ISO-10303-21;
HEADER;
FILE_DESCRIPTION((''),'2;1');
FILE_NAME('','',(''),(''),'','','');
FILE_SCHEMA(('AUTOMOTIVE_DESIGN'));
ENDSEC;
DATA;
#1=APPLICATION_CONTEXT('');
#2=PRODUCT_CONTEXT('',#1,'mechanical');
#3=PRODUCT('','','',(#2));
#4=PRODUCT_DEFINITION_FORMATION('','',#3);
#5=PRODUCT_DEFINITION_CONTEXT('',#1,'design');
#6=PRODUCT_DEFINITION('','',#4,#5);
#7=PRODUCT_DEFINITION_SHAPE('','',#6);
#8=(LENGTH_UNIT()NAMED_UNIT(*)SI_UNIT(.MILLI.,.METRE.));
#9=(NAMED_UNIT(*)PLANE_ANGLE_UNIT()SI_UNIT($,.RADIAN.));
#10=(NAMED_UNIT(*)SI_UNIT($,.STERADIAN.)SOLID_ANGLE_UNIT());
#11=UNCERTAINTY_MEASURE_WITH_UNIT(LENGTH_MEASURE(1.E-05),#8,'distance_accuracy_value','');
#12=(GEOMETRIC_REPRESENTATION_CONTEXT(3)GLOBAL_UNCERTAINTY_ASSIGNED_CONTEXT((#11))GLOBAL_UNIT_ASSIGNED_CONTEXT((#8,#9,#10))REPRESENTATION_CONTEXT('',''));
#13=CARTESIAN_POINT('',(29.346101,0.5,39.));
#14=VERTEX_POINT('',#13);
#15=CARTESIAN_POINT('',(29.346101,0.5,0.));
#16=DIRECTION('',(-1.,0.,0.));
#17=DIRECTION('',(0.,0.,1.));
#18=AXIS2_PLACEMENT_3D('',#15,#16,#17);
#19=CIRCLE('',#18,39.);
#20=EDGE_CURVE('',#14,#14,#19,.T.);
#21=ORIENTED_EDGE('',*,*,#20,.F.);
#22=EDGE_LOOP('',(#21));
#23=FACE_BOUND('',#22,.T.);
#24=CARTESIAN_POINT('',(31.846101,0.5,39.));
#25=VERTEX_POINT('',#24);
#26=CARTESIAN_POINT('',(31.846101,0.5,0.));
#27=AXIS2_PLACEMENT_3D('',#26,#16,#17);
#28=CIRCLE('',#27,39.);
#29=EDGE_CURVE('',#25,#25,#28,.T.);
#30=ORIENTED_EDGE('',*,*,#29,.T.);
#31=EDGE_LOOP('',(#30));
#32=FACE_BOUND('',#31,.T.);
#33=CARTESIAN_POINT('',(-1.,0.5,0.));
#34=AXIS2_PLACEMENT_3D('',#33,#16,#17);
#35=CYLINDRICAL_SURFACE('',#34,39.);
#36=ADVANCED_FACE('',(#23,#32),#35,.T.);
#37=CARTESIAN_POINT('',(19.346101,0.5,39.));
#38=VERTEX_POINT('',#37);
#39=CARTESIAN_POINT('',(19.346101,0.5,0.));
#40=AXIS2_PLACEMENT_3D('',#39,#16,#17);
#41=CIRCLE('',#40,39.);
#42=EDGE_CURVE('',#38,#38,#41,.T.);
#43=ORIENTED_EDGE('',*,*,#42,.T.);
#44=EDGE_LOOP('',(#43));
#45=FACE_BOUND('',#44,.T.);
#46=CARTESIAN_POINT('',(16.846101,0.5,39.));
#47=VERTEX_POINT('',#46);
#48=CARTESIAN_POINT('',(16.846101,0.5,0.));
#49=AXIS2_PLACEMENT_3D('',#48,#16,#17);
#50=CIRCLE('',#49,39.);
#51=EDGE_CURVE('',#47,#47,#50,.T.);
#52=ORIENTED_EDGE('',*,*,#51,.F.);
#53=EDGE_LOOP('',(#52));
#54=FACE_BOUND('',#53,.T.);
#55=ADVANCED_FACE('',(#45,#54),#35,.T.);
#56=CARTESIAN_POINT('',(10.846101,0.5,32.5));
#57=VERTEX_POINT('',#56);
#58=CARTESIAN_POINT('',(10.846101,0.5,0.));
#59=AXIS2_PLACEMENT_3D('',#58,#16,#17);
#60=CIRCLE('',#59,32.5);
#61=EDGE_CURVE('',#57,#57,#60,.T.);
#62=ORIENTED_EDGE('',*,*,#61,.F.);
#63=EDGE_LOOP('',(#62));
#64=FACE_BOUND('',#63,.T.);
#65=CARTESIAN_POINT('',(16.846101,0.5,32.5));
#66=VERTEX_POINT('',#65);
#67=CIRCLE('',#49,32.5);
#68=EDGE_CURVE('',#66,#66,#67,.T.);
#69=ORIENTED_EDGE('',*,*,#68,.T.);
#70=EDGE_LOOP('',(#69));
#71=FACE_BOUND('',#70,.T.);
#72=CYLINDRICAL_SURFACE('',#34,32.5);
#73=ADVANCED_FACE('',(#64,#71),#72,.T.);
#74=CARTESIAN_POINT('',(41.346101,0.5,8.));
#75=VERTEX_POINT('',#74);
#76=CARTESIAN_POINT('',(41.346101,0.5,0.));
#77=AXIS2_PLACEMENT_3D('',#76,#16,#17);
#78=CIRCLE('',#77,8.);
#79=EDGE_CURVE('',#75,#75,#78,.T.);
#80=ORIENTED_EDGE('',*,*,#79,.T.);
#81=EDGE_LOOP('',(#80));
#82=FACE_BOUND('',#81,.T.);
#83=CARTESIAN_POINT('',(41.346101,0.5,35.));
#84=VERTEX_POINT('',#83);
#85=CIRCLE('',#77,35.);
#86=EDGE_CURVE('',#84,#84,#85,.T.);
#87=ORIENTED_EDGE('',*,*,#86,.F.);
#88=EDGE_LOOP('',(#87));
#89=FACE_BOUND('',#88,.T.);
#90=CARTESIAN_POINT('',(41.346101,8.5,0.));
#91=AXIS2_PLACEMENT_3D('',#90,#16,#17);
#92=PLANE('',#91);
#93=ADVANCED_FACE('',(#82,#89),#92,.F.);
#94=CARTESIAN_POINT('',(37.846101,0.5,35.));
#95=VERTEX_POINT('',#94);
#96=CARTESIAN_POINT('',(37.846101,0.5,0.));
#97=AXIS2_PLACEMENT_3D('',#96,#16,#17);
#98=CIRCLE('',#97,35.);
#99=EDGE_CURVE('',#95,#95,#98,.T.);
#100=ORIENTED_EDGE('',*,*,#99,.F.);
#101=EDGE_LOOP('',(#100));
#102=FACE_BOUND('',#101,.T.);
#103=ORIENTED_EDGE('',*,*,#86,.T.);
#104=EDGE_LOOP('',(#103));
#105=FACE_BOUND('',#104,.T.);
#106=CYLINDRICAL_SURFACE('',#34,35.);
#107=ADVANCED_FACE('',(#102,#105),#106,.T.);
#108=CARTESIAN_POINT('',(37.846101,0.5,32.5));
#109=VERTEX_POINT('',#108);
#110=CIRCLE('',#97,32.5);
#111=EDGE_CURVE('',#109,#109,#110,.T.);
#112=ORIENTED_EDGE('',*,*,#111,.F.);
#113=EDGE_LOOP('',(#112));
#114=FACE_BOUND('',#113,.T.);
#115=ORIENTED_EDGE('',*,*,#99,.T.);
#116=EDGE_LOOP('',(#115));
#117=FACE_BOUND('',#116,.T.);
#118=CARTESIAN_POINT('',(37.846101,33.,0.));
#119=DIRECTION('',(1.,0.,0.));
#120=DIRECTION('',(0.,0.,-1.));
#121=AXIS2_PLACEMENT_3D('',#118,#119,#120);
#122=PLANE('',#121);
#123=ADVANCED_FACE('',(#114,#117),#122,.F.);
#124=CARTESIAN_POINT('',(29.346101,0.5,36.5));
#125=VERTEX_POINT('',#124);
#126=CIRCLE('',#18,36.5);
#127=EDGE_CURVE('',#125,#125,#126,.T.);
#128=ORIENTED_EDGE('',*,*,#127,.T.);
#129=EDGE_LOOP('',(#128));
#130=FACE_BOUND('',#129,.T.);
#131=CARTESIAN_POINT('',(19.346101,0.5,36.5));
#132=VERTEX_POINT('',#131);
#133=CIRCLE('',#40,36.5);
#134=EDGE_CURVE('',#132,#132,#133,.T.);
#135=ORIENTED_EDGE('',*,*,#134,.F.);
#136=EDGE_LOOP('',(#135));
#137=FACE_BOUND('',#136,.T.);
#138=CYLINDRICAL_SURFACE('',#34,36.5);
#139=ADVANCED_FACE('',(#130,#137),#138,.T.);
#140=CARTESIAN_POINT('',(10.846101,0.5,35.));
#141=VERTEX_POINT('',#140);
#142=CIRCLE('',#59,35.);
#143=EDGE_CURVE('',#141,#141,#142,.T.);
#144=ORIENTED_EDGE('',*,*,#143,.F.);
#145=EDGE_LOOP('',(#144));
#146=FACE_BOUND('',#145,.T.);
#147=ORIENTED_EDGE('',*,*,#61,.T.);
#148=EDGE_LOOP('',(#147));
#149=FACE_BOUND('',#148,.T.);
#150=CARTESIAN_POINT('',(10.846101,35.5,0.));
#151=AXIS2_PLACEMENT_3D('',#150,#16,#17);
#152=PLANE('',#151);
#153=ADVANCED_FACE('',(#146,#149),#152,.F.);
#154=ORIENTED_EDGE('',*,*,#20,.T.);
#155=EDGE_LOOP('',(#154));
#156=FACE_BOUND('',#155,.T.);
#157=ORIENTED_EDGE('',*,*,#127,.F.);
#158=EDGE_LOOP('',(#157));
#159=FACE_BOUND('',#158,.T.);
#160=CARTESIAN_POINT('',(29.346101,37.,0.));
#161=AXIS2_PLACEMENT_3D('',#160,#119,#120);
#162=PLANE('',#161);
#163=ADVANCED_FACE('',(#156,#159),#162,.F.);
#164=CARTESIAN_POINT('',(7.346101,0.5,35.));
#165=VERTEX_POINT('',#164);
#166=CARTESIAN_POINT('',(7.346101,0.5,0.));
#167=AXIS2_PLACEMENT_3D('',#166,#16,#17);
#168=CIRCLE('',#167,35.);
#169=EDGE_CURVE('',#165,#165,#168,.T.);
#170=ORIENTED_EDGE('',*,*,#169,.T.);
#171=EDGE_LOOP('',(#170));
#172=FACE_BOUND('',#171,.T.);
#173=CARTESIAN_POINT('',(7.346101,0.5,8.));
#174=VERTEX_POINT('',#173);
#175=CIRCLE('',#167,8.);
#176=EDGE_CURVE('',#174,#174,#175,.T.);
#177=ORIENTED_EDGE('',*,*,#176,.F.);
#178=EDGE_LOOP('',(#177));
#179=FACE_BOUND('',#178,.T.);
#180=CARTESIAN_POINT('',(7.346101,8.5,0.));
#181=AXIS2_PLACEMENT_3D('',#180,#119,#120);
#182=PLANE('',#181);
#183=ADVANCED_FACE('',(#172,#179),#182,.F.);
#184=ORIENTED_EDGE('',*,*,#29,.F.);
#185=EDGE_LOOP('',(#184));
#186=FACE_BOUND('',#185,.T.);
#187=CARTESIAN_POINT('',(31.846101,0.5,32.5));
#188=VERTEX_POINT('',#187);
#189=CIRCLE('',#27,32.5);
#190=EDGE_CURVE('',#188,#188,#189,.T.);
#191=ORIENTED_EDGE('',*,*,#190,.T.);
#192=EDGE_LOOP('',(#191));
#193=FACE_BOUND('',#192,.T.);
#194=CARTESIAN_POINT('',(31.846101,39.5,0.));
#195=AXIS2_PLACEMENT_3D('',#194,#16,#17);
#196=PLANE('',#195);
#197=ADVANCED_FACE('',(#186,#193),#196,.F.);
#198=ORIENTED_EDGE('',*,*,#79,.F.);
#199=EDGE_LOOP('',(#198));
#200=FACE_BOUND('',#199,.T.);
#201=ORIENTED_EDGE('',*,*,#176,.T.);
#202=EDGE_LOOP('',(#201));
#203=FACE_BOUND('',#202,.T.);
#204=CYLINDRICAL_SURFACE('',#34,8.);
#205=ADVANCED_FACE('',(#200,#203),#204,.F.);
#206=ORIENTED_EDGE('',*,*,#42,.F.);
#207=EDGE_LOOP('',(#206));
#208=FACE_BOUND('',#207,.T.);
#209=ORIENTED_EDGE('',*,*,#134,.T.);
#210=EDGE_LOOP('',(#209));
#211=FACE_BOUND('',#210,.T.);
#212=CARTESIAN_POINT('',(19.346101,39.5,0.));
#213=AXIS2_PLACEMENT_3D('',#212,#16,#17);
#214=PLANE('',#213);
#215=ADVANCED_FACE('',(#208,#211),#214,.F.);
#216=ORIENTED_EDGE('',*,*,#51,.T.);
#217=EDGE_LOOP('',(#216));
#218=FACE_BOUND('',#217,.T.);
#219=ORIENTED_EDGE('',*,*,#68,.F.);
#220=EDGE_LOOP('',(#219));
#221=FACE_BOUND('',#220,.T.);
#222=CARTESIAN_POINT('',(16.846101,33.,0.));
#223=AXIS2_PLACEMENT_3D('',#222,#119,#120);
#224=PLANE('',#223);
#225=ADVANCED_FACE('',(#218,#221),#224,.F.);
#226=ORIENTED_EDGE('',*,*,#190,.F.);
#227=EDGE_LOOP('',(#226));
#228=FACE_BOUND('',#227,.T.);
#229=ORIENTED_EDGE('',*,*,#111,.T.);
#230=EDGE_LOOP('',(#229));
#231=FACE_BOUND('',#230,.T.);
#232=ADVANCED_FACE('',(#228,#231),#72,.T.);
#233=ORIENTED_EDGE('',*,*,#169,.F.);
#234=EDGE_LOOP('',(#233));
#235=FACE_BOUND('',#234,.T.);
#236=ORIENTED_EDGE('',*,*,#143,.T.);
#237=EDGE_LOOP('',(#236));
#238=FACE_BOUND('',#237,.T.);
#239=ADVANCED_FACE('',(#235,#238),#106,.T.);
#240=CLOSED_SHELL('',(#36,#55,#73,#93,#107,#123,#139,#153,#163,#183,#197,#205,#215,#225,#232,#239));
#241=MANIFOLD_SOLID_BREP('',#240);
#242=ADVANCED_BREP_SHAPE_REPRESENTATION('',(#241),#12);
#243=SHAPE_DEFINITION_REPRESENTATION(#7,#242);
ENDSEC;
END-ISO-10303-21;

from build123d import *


with BuildPart() as part:
    # Croquis1 → Revolución1 (revolve)
    with BuildSketch(Plane.XY, mode=Mode.PRIVATE) as revoluci_n1_sk:
        Polygon((7.346100741, 8.5), (7.346100741, 35.5), (10.846100741, 35.5), (10.846100741, 33), (16.846100741, 33), (16.846100741, 39.5), (19.346100741, 39.5), (19.346100741, 37), (29.346100741, 37), (29.346100741, 39.5), (31.846100741, 39.5), (31.846100741, 33), (37.846100741, 33), (37.846100741, 35.5), (41.346100741, 35.5), (41.346100741, 8.5), align=None)
    revolve(revoluci_n1_sk.sketch.rotate(Axis((-1, 0.5, 0), (1, 0, 0)), 90), axis=Axis((-1, 0.5, 0), (1, 0, 0)))


solid = part.part
